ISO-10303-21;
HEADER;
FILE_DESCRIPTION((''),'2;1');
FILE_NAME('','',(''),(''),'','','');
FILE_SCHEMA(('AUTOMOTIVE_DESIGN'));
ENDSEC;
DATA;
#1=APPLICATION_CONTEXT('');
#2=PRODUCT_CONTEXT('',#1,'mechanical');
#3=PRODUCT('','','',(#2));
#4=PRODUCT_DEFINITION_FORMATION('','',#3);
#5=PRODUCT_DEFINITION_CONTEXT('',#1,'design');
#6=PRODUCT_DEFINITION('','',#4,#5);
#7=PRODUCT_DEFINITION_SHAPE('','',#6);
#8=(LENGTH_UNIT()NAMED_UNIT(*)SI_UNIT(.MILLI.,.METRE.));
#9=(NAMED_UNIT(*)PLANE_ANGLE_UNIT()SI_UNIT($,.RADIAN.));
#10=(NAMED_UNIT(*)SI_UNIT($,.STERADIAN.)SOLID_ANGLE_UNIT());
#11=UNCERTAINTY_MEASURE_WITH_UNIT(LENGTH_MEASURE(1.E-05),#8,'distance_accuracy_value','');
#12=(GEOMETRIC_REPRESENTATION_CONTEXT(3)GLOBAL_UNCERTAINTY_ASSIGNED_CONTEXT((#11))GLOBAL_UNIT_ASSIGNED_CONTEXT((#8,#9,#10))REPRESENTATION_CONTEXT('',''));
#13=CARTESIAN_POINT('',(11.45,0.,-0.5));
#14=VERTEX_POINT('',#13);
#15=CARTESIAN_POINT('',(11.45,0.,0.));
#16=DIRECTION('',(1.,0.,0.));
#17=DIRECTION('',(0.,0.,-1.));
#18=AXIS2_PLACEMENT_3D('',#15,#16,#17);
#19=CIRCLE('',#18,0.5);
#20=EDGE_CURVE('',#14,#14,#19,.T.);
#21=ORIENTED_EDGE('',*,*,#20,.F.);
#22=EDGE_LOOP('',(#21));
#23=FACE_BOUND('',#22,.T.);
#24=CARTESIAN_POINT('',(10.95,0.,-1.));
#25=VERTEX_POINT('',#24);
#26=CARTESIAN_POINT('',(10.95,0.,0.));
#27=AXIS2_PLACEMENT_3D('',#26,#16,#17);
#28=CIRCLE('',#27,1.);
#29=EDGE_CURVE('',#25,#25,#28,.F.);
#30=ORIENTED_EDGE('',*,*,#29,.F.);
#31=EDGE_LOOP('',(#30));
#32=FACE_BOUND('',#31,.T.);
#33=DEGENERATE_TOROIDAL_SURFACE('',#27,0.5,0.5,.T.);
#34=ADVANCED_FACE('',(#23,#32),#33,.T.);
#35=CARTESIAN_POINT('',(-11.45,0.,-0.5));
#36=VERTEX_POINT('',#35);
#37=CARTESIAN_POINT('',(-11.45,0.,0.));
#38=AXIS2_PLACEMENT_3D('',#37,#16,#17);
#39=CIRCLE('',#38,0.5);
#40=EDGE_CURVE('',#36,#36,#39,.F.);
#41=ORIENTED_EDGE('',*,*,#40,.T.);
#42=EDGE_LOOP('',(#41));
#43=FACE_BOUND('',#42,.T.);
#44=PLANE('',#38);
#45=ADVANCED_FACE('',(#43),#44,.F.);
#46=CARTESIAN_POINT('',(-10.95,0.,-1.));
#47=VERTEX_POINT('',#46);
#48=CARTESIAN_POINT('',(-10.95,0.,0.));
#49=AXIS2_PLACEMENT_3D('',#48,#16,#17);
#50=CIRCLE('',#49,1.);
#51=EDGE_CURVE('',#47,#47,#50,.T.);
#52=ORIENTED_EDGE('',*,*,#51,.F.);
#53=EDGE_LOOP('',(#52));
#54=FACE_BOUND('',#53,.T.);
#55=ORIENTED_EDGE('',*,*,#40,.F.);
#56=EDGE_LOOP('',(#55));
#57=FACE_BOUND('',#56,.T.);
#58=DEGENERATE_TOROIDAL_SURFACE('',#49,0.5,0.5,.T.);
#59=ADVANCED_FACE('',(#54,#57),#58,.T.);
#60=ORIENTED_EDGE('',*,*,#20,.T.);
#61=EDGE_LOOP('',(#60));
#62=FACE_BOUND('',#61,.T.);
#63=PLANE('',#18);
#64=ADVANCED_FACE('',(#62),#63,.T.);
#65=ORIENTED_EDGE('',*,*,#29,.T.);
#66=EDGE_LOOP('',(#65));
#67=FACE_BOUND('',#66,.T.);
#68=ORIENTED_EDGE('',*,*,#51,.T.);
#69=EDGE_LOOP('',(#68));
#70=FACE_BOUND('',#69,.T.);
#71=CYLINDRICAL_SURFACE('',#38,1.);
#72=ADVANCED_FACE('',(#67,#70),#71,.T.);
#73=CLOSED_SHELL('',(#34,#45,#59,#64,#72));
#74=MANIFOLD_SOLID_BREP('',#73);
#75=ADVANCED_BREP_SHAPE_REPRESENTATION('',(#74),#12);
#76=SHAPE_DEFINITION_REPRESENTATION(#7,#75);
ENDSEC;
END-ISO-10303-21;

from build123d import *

# Parameters (mm, degrees)
BOSS_EXTRUDE1_DEPTH      = 11.45
BOSS_EXTRUDE1_DEPTH_BACK = 11.45
SKETCH1_R                = 1
FILLET1_R                = 0.5


with BuildPart() as part:
    # Sketch1 → Boss-Extrude1 (new, two sides: drawn at the far end of the back side and taken through both)
    with BuildSketch(Plane(origin=(0, 0, 0), x_dir=(0, 0, -1), z_dir=(1, 0, 0)).offset(-BOSS_EXTRUDE1_DEPTH_BACK)):
        Circle(SKETCH1_R)
    extrude(amount=BOSS_EXTRUDE1_DEPTH + BOSS_EXTRUDE1_DEPTH_BACK)

    # Fillet1
    fillet1_edges = [part.edges().sort_by_distance(p)[0] for p in [
        (11.45, 0, 1),
        (-11.45, 0, 1),
    ]]
    fillet(fillet1_edges, radius=FILLET1_R)


solid = part.part
